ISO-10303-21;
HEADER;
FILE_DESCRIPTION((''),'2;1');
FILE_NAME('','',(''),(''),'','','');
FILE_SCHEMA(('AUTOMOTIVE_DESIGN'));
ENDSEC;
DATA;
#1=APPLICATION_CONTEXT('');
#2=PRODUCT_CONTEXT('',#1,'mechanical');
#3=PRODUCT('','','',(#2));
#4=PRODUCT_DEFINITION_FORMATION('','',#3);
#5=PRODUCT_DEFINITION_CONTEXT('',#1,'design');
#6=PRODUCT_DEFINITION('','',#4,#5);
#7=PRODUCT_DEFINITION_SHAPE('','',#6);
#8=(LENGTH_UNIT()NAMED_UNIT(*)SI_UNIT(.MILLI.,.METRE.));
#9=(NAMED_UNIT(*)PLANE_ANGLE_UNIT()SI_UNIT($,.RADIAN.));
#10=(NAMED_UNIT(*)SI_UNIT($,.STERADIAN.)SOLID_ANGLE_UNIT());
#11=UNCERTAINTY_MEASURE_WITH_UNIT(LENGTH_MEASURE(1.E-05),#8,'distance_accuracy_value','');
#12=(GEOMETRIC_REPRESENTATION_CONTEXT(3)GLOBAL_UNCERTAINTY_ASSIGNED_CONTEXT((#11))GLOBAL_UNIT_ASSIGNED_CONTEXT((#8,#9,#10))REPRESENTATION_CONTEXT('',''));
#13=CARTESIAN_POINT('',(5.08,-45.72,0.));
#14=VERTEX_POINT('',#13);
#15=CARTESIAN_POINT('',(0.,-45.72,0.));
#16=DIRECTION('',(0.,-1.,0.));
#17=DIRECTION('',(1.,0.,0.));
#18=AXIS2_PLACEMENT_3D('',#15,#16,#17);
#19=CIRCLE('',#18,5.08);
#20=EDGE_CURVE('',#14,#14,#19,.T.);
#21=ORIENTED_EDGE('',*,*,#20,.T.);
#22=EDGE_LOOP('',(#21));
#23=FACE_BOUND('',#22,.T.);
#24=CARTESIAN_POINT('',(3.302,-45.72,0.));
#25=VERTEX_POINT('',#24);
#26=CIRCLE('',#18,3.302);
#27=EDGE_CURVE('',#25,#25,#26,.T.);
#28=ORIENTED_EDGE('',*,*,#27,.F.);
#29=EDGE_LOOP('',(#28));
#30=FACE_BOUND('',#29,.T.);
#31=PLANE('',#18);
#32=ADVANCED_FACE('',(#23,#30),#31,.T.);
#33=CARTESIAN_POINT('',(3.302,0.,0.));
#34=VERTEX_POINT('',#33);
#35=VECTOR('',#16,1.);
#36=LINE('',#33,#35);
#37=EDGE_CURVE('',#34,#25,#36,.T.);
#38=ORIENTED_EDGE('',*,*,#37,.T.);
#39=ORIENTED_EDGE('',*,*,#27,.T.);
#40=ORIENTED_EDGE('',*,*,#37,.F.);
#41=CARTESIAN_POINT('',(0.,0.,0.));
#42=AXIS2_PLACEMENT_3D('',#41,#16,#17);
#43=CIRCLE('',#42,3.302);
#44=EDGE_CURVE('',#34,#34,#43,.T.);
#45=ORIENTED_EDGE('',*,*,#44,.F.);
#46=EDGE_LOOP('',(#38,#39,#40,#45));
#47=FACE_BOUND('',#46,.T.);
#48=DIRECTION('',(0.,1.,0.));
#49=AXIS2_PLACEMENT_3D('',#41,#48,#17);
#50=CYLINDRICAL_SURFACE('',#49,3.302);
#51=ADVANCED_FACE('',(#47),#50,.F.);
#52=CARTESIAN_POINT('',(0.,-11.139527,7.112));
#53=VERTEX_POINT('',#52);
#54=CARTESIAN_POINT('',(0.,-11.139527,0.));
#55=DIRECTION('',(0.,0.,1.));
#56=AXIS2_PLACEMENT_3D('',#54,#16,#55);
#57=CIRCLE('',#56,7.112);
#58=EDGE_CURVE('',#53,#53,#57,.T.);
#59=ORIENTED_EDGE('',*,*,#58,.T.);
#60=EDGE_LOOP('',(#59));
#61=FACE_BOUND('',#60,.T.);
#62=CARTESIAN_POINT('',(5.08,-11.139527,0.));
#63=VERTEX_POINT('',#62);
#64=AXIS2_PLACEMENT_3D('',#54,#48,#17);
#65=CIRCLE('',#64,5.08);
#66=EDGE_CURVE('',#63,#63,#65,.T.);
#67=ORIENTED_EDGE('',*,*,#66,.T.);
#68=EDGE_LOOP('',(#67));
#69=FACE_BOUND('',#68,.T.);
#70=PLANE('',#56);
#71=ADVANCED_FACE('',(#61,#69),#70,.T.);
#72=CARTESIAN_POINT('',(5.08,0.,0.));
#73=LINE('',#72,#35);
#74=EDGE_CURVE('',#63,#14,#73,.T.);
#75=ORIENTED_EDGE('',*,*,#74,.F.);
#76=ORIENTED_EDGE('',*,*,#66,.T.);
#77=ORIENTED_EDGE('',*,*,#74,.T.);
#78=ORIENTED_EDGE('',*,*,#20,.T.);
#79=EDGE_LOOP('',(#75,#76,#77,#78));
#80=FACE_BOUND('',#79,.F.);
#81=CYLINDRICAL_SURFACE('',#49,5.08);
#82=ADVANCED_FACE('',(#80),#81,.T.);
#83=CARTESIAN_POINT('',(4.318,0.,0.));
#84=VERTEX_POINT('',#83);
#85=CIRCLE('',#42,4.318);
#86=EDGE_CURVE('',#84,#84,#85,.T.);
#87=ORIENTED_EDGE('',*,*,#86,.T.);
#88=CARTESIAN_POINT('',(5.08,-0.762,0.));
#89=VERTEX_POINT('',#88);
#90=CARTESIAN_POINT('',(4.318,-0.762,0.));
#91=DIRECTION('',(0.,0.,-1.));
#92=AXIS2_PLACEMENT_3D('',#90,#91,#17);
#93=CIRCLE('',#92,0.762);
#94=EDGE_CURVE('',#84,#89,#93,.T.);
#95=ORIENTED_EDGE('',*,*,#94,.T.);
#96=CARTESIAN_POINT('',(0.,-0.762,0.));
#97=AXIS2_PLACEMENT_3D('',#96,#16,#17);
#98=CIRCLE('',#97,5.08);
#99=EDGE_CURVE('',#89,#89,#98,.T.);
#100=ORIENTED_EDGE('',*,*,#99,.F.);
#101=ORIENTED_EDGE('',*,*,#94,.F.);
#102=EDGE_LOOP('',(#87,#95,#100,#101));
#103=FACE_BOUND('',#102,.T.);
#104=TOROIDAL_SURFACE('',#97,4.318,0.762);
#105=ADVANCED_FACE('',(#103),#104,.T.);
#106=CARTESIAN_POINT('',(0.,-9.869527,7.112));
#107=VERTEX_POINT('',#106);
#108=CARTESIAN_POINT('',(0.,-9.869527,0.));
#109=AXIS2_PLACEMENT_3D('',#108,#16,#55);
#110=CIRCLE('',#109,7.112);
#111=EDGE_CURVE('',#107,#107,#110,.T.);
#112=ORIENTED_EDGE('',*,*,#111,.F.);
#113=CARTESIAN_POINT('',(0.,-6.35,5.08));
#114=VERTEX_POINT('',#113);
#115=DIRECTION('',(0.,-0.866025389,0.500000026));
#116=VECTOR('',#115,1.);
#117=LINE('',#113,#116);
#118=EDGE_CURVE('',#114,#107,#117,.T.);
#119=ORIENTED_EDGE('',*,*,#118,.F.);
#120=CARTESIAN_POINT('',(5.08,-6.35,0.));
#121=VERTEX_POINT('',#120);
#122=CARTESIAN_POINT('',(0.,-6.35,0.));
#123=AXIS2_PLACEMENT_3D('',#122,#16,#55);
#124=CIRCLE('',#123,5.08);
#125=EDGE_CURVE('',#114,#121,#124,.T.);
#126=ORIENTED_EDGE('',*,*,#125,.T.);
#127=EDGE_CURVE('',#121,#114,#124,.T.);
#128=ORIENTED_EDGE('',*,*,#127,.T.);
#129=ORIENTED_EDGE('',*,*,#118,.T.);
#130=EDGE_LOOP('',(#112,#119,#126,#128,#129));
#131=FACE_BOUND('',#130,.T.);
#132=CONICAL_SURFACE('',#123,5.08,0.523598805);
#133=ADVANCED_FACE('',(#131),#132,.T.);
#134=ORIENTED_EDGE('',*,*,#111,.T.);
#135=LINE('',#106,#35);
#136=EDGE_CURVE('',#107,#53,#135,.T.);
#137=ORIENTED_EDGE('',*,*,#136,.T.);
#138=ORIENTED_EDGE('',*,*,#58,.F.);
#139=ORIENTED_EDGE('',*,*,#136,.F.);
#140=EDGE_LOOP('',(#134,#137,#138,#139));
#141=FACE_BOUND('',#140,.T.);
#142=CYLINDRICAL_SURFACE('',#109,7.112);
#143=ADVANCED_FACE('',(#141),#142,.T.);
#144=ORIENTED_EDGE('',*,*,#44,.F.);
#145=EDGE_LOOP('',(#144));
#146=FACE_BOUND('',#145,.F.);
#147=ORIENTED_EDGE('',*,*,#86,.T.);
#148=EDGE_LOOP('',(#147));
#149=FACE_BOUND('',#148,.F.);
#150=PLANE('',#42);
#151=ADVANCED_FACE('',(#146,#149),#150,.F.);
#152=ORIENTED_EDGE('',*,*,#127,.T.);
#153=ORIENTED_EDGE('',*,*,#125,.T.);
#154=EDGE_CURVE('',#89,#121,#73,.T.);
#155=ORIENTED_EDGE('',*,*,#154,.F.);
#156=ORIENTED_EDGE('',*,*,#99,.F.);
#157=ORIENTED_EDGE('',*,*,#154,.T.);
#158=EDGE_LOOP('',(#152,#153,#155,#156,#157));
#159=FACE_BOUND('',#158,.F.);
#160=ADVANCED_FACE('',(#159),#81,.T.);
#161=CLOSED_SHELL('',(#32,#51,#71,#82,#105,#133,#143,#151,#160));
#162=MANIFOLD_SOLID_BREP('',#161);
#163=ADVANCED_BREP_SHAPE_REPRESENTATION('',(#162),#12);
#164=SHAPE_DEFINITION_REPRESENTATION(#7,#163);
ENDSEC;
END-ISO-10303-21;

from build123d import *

# Parameters (mm, degrees)
F0_R     = 5.08
F0_R_2   = 3.302
F1_DEPTH = 45.72
F4_R     = 0.762


with BuildPart() as f1:
    # F0 (on Front) → F1 (new body)
    with BuildSketch(Plane.XZ):
        Circle(F0_R)
        Circle(F0_R_2, mode=Mode.SUBTRACT)
    extrude(amount=F1_DEPTH)

    # F2 (on Right) → F3 (revolve)
    with BuildSketch(Plane.YZ):
        Polygon((-11.139527, 7.112), (-11.139527, 5.08), (-6.35, 5.08), (-9.869527, 7.112), align=None)
    revolve(axis=Axis((0, -45.72, 0), (0, -1, 0)))

    # F4
    f4_edges = [f1.edges().sort_by_distance(p)[0] for p in [
        (-5.08, 0, 0),
    ]]
    fillet(f4_edges, radius=F4_R)


solid = f1.part
